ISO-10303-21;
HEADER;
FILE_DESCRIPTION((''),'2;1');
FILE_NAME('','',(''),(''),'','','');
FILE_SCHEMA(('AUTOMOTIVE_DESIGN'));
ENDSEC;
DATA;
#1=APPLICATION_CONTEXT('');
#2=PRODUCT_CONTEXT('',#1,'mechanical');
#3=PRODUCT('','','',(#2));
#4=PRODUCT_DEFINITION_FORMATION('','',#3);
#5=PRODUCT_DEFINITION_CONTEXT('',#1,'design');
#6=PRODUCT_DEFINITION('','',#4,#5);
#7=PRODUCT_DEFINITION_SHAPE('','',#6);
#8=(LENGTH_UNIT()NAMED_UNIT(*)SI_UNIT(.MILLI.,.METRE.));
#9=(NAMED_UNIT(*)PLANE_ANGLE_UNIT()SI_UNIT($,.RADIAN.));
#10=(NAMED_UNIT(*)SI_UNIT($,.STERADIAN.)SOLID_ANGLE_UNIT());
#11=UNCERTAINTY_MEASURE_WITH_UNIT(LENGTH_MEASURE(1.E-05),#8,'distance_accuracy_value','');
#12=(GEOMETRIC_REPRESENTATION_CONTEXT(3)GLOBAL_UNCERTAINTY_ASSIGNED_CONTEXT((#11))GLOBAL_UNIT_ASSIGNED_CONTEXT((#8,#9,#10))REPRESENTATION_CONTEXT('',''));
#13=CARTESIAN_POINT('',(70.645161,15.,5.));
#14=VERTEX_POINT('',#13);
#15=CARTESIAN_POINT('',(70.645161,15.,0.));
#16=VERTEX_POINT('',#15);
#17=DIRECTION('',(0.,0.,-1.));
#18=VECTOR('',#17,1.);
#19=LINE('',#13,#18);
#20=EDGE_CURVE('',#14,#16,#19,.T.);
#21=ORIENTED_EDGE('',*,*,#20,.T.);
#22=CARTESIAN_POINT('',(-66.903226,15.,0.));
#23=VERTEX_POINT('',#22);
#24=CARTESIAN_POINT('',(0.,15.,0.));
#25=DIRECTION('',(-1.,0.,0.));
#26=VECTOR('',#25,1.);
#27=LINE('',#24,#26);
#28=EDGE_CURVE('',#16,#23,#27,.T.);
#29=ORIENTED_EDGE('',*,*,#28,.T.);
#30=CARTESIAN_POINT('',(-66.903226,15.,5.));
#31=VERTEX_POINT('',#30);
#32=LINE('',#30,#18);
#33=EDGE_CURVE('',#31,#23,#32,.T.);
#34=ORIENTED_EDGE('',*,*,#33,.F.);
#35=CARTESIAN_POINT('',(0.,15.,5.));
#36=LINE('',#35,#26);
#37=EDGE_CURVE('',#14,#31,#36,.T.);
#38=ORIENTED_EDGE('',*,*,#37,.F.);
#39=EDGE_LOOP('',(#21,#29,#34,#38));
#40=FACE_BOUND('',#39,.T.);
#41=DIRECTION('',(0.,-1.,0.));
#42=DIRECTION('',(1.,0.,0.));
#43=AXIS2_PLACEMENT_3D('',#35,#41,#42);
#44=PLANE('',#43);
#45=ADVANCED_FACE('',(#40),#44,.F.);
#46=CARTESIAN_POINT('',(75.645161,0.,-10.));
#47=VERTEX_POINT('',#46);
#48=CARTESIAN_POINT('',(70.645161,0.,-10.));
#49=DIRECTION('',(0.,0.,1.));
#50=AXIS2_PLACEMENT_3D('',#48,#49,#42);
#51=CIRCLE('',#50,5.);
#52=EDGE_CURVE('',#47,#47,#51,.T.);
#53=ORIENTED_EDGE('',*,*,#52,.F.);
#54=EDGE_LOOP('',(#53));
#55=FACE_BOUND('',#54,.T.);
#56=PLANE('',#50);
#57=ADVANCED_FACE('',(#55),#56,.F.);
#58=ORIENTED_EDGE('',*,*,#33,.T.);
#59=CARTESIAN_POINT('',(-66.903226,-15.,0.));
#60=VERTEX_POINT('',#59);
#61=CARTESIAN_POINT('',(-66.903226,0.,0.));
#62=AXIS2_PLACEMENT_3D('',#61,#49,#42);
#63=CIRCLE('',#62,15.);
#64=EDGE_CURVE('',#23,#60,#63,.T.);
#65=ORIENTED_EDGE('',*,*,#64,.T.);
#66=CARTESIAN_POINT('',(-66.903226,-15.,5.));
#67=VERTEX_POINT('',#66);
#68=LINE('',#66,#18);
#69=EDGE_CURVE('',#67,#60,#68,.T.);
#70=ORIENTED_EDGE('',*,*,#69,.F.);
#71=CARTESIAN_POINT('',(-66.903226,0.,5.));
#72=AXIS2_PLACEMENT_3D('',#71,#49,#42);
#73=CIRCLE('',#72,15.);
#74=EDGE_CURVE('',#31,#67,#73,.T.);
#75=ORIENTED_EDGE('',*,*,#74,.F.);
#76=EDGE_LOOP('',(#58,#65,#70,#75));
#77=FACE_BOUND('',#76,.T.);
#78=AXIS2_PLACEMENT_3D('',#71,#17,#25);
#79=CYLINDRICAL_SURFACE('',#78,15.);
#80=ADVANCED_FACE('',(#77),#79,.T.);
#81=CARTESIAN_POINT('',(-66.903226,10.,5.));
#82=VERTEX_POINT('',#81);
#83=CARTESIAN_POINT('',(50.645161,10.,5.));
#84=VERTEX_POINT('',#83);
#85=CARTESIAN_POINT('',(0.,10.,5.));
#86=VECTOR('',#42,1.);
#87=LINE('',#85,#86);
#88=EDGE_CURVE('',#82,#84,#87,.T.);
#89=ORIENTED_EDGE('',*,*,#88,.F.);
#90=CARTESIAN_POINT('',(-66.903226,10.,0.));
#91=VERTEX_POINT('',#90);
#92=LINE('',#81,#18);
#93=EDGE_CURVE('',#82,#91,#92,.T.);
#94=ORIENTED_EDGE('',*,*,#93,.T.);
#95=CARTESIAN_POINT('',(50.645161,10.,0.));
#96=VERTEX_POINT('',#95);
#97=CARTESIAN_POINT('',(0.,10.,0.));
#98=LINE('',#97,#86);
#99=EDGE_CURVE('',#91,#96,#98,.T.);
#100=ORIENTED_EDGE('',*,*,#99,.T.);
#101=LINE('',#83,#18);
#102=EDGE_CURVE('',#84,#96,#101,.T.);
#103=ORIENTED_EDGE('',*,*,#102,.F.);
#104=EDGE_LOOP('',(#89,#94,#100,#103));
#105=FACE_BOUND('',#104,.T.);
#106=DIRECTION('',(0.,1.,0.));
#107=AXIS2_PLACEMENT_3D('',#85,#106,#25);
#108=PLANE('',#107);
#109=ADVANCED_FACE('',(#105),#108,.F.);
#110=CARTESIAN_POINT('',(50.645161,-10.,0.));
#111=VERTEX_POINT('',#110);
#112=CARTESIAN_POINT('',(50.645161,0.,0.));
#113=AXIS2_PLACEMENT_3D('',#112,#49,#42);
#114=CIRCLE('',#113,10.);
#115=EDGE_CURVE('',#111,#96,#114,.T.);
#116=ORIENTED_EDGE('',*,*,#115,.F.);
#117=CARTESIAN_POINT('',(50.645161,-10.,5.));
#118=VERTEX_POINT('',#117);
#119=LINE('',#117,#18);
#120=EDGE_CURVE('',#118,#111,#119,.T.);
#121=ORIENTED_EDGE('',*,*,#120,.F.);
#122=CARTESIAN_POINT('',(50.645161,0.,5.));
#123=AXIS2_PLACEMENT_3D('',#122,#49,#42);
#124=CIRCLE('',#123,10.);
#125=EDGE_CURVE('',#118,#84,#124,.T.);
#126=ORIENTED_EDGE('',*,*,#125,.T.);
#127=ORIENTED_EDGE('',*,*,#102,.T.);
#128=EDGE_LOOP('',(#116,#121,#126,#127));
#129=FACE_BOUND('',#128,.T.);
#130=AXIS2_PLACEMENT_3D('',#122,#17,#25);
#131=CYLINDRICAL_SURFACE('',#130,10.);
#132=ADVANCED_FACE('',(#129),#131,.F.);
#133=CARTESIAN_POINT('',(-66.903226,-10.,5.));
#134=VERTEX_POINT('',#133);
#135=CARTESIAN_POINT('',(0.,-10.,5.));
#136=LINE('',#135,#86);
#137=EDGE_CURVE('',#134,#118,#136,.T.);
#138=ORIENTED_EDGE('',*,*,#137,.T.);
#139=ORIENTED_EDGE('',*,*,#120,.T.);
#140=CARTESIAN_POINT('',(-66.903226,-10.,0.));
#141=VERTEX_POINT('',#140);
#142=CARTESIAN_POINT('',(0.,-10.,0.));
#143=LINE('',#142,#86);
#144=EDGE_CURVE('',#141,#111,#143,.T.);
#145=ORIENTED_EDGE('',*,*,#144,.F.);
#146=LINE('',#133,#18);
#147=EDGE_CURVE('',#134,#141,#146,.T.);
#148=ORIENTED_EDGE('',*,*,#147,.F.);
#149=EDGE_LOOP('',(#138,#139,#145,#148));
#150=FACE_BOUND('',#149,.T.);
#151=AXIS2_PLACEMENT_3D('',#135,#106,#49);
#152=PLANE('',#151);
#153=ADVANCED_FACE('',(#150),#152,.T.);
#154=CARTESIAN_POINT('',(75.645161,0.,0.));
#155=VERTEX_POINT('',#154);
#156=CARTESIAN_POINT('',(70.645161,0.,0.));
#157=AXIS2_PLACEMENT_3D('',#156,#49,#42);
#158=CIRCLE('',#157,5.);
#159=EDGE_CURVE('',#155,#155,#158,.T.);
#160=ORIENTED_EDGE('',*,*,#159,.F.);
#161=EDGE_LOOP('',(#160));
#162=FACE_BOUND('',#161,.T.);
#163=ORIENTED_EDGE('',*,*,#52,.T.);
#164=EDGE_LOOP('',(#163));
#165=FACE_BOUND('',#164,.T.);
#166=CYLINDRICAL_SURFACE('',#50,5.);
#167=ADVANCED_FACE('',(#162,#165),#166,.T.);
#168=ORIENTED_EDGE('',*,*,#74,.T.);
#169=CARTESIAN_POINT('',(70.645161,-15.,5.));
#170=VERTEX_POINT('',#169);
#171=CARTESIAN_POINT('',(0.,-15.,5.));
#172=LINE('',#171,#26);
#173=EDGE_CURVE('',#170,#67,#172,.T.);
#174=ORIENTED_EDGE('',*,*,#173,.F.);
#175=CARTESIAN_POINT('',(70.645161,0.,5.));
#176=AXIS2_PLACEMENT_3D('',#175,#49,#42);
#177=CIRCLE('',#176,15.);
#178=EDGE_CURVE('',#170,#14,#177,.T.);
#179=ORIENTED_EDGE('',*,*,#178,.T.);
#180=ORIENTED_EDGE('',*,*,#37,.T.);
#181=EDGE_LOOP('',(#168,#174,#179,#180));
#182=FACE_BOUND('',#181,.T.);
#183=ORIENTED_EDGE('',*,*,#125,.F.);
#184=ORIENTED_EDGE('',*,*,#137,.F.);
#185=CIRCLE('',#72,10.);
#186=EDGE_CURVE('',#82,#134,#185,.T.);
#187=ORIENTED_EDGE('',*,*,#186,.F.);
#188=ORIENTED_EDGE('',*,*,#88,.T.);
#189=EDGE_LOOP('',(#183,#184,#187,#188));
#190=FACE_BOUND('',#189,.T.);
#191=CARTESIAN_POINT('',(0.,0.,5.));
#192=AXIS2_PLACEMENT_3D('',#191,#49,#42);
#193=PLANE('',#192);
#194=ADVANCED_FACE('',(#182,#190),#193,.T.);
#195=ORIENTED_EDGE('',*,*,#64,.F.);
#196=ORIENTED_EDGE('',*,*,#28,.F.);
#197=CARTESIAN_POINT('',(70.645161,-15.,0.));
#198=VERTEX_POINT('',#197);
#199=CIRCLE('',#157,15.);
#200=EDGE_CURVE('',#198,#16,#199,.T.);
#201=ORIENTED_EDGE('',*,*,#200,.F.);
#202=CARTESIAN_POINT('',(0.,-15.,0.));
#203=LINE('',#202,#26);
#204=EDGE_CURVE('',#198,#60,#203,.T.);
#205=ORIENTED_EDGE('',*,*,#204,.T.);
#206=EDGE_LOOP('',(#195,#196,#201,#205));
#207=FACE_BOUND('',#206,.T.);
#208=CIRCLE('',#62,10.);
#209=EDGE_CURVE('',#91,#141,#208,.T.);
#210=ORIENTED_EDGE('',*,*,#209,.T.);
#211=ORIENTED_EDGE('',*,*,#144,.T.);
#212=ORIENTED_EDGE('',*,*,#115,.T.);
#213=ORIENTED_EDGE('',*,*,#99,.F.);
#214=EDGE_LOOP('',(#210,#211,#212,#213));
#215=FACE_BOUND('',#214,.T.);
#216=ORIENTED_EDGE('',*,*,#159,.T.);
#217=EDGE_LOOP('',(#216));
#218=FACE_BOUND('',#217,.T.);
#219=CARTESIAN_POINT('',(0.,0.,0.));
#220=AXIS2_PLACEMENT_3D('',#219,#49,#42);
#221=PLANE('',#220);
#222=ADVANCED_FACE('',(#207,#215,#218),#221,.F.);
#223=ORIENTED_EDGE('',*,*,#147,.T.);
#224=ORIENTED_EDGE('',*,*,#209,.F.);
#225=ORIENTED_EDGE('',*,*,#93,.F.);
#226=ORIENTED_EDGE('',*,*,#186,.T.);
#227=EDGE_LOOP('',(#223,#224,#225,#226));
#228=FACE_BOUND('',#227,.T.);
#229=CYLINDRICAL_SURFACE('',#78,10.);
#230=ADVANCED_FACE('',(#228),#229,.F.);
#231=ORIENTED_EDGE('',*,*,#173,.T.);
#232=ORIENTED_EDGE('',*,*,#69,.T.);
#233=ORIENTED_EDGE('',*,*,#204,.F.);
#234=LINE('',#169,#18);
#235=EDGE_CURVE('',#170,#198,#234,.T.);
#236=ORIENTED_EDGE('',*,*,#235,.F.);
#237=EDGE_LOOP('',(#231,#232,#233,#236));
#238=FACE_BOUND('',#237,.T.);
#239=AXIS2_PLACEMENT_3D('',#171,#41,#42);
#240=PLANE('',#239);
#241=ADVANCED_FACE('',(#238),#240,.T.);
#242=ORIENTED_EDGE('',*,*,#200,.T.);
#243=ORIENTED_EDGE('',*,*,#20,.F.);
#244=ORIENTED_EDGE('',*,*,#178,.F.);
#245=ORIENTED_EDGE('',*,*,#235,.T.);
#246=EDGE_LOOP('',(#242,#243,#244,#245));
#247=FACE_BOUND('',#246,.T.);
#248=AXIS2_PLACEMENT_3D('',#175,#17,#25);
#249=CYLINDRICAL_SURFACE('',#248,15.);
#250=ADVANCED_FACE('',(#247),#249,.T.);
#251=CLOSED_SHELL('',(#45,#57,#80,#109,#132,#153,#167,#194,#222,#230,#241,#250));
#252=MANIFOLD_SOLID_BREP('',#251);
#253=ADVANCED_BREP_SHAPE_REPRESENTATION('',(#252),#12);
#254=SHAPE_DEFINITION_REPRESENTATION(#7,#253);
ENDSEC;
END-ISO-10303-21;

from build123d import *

# Parameters (mm, degrees)
SKETCH1_R           = 5
BOSS_EXTRUDE1_DEPTH = 5
SKETCH1_3_R         = 5
BOSS_EXTRUDE2_DEPTH = 10


with BuildPart() as part:
    # Sketch1 → Boss-Extrude1 (new body)
    # profile 1 of 2: a face of its own
    with BuildSketch(Plane.XY):
        with BuildLine():
            Line((-66.903225806, -15), (70.64516129, -15))
            ThreePointArc((70.64516129, -15), (85.64516129, 0), (70.64516129, 15))
            Line((70.64516129, 15), (-66.903225806, 15))
            ThreePointArc((-66.903225806, 15), (-73.026950163, 13.693063938), (-78.083565694, 10))
            ThreePointArc((-78.083565694, 10), (-81.903225806, 0), (-78.083565694, -10))
            ThreePointArc((-78.083565694, -10), (-73.026950163, -13.693063938), (-66.903225806, -15))
        make_face()
        with BuildLine():
            Line((50.64516129, -10), (-66.903225806, -10))
            ThreePointArc((-66.903225806, -10), (-76.903225806, 0), (-66.903225806, 10))
            Line((-66.903225806, 10), (50.64516129, 10))
            ThreePointArc((50.64516129, 10), (60.64516129, 0), (50.64516129, -10))
        make_face(mode=Mode.SUBTRACT)
        with Locations((70.64516129, 0)):
            Circle(SKETCH1_R, mode=Mode.SUBTRACT)
    # profile 2 of 2: a face of its own
    with BuildSketch(Plane.XY):
        with Locations((70.64516129, 0)):
            Circle(SKETCH1_R)
    extrude(amount=BOSS_EXTRUDE1_DEPTH)

    # Sketch1<3> → Boss-Extrude2 (add)
    with BuildSketch(Plane.XY):
        with Locations((70.64516129, 0)):
            Circle(SKETCH1_3_R)
    extrude(amount=-BOSS_EXTRUDE2_DEPTH)


solid = part.part
